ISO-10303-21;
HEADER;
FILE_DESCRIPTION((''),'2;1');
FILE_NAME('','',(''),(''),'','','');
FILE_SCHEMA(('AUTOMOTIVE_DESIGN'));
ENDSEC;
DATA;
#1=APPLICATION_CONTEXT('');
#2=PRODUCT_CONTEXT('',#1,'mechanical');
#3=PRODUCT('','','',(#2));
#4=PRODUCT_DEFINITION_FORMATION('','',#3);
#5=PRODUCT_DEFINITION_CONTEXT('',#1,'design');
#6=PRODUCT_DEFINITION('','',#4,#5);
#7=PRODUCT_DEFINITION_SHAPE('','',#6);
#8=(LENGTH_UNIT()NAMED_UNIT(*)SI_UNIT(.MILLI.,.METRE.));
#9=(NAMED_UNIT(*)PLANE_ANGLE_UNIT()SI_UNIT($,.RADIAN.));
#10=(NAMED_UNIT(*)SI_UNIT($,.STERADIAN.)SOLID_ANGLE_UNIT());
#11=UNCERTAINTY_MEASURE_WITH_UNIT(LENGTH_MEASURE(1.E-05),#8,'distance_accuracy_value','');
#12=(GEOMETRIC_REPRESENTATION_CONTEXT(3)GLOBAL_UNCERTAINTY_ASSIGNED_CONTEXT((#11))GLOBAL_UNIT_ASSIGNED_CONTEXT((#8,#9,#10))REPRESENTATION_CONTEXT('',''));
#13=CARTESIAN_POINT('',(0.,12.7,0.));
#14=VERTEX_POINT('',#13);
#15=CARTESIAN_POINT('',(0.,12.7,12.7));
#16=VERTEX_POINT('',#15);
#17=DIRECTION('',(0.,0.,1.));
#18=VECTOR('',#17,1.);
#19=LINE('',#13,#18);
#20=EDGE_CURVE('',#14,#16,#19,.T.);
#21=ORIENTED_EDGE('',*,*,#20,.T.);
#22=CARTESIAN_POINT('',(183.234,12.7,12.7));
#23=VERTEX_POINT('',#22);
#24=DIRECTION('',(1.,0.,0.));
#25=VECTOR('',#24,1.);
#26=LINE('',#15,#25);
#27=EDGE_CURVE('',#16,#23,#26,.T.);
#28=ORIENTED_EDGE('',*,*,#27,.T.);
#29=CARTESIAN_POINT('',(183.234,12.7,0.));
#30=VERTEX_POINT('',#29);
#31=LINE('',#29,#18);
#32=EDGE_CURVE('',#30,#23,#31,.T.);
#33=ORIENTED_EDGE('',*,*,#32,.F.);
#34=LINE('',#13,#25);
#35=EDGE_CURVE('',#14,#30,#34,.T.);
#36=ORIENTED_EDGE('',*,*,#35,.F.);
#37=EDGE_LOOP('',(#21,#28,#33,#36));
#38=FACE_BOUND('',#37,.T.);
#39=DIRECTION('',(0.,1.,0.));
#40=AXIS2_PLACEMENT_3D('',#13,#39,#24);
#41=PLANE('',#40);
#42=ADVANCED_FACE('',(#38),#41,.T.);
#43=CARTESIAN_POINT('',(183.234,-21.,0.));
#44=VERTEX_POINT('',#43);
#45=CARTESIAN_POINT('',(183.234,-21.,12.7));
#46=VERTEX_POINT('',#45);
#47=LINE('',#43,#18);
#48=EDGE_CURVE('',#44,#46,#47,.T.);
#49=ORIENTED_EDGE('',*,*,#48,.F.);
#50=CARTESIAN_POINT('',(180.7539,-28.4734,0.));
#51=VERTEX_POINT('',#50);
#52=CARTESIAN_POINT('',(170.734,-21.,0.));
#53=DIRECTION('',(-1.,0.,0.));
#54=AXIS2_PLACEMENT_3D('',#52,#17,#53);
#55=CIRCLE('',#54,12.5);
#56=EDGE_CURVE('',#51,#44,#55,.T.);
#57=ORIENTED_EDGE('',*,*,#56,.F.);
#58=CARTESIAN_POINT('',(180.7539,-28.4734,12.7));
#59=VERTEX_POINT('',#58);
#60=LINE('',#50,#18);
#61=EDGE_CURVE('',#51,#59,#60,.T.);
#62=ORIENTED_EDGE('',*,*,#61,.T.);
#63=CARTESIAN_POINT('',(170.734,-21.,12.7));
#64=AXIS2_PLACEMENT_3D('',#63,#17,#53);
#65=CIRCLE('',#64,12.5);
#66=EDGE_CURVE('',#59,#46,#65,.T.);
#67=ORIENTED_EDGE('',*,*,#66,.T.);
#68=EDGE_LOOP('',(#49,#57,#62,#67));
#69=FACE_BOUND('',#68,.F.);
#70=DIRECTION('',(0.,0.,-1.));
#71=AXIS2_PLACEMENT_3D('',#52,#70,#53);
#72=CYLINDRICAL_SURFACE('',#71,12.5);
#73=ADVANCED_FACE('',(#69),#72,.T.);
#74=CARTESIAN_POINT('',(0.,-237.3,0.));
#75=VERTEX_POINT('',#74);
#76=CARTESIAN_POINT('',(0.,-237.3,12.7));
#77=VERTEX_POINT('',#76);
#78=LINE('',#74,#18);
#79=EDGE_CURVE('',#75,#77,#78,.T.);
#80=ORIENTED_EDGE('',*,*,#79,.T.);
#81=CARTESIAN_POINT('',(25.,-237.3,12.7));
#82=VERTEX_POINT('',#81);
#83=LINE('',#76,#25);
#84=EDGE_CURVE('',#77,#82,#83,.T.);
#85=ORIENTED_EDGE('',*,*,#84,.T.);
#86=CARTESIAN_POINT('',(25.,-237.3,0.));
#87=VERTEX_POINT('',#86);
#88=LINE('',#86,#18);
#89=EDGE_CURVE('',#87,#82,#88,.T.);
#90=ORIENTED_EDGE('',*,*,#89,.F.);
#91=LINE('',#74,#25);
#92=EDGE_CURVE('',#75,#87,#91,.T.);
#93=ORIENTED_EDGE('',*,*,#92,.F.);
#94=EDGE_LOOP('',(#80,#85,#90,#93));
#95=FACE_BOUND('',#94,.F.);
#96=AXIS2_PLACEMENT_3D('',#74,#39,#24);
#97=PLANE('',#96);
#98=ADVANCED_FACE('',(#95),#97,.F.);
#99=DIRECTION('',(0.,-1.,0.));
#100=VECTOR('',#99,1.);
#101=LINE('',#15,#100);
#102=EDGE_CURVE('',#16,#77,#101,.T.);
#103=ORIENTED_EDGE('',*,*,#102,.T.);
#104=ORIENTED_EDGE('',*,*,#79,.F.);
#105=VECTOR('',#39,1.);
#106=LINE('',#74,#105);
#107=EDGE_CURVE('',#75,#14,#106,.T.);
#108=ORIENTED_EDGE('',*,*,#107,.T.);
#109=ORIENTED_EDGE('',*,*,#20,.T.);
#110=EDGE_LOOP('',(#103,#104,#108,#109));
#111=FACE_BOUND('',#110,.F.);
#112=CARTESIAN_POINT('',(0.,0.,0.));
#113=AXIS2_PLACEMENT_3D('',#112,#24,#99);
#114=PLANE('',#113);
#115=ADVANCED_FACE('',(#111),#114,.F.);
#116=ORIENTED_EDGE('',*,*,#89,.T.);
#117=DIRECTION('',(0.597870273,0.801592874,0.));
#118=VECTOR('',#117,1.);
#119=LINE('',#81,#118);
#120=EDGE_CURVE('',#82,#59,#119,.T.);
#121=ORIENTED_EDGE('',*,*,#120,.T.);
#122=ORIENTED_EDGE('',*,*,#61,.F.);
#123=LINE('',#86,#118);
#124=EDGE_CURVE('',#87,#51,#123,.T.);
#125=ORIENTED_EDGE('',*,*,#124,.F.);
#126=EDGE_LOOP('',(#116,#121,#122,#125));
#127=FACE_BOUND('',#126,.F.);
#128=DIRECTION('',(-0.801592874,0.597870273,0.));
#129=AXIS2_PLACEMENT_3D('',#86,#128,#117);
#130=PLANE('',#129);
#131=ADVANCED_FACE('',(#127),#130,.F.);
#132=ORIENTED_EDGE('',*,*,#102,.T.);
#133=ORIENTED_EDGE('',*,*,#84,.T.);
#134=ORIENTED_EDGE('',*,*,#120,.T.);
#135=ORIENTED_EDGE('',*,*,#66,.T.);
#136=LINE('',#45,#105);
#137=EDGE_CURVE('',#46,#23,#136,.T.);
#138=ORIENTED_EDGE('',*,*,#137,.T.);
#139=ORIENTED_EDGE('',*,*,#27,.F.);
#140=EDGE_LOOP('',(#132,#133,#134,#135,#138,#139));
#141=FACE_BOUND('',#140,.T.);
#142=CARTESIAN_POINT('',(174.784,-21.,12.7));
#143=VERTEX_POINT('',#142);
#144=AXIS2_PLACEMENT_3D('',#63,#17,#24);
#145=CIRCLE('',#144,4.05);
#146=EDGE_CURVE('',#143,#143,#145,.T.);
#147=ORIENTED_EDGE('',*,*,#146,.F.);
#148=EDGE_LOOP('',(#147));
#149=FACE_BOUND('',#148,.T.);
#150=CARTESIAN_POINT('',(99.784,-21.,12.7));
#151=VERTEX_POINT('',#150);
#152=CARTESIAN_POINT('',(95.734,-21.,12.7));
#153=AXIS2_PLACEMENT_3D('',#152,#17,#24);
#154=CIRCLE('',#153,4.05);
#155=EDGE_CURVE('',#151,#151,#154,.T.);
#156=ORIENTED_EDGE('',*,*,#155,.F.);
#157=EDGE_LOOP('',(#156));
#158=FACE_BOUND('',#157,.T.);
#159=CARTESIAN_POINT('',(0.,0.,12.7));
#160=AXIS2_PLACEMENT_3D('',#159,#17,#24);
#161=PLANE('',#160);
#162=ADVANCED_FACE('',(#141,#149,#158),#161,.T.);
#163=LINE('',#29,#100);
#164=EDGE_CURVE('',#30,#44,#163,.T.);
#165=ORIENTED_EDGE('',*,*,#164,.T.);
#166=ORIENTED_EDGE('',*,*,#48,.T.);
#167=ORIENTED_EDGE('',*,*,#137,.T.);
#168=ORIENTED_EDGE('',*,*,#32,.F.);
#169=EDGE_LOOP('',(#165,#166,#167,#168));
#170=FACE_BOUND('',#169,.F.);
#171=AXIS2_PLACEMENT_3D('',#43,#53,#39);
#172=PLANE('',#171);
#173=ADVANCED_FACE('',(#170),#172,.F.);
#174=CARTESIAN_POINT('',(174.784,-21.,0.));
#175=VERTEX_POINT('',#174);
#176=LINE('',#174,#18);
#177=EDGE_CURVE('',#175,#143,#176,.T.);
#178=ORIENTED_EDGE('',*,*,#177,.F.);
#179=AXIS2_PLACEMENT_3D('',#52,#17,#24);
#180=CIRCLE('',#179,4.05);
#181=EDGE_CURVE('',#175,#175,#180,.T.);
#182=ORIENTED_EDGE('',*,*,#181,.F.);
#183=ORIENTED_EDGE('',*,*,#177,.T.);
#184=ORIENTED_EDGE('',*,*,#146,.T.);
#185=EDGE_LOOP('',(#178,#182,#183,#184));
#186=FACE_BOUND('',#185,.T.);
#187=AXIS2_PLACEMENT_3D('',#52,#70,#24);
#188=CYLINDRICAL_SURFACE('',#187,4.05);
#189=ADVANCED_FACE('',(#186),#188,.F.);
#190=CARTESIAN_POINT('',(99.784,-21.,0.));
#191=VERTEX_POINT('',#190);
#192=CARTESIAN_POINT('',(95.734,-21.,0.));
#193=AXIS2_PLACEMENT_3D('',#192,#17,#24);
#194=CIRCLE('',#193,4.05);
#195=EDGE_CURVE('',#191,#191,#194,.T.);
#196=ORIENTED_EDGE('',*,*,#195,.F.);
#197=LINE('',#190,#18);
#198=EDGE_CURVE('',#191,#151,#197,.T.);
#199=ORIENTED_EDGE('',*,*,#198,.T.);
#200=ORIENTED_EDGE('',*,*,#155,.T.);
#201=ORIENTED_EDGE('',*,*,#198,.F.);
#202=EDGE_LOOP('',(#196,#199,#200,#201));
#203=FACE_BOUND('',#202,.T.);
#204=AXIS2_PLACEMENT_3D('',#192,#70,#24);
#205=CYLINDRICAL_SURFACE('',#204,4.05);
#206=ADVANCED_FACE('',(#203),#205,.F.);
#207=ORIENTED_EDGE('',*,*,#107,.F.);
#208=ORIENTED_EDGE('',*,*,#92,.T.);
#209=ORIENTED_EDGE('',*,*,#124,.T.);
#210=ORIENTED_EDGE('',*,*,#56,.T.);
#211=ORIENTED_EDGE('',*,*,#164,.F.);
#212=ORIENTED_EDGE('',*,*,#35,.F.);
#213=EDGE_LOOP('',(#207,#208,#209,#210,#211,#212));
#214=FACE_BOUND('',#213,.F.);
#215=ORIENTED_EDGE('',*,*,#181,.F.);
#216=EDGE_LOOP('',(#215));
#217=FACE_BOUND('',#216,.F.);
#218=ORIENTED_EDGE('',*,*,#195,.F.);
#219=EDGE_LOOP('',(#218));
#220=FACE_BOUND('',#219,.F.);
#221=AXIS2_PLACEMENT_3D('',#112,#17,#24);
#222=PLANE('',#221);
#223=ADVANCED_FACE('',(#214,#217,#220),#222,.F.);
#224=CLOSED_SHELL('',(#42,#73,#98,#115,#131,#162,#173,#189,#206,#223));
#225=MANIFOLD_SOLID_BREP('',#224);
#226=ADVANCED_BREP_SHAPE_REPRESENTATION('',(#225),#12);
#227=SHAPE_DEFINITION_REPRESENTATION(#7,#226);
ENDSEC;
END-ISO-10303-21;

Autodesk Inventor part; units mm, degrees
ref_plane "YZ Plane" through (0, 0, 0) normal (1, 0, 0) x (0, 1, 0)
ref_plane "XZ Plane" through (0, 0, 0) normal (0, 1, 0) x (-1, 0, 0)
ref_plane "XY Plane" through (0, 0, 0) normal (0, 0, 1) x (1, 0, 0)
ref_plane "Work Plane1" through (0, 0, 0) normal (0, 0, 1) x (1, 0, 0)
sketch "Sketch1" plane through (0, 0, 0) normal (0, 0, 1) x (1, 0, 0)
  circle A0 centre (95.734, -21) radius 4.05 projected
  circle A1 centre (170.734, -21) radius 4.05 projected
  line L0 (78.234, -5) -> (78.234, 0) projected
  arc A2 (83.234, -10) -> (78.234, -5) centre (78.234, -10) ccw projected
  line L1 (83.234, -10) -> (83.234, -21) projected
  arc A3 (83.234, -21) -> (108.234, -21) centre (95.734, -21) ccw projected
  line L2 (108.234, -21) -> (108.234, -10) projected
  arc A4 (113.234, -5) -> (108.234, -10) centre (113.234, -10) ccw projected
  line L3 (113.234, -5) -> (153.234, -5) projected
  arc A5 (158.234, -10) -> (153.234, -5) centre (153.234, -10) ccw projected
  line L4 (158.234, -10) -> (158.234, -21) projected
  arc A6 (158.234, -21) -> (183.234, -21) centre (170.734, -21) ccw projected
  line L5 (183.234, -21) -> (183.234, -10) projected
  arc A7 (188.234, -5) -> (183.234, -10) centre (188.234, -10) ccw projected
  line L6 (188.234, 0) -> (188.234, -5) projected
  line L7 (78.234, 0) -> (188.234, 0) projected
  line L8 (437.5, 12.7) -> (437.5, 0) projected
  line L9 (0, 12.7) -> (437.5, 12.7) projected
  line L10 (0, 0) -> (0, 12.7) projected
  line L11 (437.5, 0) -> (0, 0) projected
  line L12 (0, 12.7) -> (0, -237.3)
  line L13 (0, -237.3) -> (25, -237.3)
  line L14 (25, -237.3) -> (180.7539, -28.4734)
  line L15 (183.234, -10) -> (183.234, 12.7)
  line L16 (183.234, 12.7) -> (0, 12.7)
  dimension "d0" = 25
  dimension "d2" = 250
extrude "Extrusion1" add sketch "Sketch1" along normal blind 12.7 contours A2 L1 A3 L2 A4 L3 A5 L4 A6 L14 L13 L12 L11 L0 | L0 L7 L15 L5 A6 L4 A5 L3 A4 L2 A3 L1 A2 | L11 L10 L9 L15 L7
properties part number "support"
